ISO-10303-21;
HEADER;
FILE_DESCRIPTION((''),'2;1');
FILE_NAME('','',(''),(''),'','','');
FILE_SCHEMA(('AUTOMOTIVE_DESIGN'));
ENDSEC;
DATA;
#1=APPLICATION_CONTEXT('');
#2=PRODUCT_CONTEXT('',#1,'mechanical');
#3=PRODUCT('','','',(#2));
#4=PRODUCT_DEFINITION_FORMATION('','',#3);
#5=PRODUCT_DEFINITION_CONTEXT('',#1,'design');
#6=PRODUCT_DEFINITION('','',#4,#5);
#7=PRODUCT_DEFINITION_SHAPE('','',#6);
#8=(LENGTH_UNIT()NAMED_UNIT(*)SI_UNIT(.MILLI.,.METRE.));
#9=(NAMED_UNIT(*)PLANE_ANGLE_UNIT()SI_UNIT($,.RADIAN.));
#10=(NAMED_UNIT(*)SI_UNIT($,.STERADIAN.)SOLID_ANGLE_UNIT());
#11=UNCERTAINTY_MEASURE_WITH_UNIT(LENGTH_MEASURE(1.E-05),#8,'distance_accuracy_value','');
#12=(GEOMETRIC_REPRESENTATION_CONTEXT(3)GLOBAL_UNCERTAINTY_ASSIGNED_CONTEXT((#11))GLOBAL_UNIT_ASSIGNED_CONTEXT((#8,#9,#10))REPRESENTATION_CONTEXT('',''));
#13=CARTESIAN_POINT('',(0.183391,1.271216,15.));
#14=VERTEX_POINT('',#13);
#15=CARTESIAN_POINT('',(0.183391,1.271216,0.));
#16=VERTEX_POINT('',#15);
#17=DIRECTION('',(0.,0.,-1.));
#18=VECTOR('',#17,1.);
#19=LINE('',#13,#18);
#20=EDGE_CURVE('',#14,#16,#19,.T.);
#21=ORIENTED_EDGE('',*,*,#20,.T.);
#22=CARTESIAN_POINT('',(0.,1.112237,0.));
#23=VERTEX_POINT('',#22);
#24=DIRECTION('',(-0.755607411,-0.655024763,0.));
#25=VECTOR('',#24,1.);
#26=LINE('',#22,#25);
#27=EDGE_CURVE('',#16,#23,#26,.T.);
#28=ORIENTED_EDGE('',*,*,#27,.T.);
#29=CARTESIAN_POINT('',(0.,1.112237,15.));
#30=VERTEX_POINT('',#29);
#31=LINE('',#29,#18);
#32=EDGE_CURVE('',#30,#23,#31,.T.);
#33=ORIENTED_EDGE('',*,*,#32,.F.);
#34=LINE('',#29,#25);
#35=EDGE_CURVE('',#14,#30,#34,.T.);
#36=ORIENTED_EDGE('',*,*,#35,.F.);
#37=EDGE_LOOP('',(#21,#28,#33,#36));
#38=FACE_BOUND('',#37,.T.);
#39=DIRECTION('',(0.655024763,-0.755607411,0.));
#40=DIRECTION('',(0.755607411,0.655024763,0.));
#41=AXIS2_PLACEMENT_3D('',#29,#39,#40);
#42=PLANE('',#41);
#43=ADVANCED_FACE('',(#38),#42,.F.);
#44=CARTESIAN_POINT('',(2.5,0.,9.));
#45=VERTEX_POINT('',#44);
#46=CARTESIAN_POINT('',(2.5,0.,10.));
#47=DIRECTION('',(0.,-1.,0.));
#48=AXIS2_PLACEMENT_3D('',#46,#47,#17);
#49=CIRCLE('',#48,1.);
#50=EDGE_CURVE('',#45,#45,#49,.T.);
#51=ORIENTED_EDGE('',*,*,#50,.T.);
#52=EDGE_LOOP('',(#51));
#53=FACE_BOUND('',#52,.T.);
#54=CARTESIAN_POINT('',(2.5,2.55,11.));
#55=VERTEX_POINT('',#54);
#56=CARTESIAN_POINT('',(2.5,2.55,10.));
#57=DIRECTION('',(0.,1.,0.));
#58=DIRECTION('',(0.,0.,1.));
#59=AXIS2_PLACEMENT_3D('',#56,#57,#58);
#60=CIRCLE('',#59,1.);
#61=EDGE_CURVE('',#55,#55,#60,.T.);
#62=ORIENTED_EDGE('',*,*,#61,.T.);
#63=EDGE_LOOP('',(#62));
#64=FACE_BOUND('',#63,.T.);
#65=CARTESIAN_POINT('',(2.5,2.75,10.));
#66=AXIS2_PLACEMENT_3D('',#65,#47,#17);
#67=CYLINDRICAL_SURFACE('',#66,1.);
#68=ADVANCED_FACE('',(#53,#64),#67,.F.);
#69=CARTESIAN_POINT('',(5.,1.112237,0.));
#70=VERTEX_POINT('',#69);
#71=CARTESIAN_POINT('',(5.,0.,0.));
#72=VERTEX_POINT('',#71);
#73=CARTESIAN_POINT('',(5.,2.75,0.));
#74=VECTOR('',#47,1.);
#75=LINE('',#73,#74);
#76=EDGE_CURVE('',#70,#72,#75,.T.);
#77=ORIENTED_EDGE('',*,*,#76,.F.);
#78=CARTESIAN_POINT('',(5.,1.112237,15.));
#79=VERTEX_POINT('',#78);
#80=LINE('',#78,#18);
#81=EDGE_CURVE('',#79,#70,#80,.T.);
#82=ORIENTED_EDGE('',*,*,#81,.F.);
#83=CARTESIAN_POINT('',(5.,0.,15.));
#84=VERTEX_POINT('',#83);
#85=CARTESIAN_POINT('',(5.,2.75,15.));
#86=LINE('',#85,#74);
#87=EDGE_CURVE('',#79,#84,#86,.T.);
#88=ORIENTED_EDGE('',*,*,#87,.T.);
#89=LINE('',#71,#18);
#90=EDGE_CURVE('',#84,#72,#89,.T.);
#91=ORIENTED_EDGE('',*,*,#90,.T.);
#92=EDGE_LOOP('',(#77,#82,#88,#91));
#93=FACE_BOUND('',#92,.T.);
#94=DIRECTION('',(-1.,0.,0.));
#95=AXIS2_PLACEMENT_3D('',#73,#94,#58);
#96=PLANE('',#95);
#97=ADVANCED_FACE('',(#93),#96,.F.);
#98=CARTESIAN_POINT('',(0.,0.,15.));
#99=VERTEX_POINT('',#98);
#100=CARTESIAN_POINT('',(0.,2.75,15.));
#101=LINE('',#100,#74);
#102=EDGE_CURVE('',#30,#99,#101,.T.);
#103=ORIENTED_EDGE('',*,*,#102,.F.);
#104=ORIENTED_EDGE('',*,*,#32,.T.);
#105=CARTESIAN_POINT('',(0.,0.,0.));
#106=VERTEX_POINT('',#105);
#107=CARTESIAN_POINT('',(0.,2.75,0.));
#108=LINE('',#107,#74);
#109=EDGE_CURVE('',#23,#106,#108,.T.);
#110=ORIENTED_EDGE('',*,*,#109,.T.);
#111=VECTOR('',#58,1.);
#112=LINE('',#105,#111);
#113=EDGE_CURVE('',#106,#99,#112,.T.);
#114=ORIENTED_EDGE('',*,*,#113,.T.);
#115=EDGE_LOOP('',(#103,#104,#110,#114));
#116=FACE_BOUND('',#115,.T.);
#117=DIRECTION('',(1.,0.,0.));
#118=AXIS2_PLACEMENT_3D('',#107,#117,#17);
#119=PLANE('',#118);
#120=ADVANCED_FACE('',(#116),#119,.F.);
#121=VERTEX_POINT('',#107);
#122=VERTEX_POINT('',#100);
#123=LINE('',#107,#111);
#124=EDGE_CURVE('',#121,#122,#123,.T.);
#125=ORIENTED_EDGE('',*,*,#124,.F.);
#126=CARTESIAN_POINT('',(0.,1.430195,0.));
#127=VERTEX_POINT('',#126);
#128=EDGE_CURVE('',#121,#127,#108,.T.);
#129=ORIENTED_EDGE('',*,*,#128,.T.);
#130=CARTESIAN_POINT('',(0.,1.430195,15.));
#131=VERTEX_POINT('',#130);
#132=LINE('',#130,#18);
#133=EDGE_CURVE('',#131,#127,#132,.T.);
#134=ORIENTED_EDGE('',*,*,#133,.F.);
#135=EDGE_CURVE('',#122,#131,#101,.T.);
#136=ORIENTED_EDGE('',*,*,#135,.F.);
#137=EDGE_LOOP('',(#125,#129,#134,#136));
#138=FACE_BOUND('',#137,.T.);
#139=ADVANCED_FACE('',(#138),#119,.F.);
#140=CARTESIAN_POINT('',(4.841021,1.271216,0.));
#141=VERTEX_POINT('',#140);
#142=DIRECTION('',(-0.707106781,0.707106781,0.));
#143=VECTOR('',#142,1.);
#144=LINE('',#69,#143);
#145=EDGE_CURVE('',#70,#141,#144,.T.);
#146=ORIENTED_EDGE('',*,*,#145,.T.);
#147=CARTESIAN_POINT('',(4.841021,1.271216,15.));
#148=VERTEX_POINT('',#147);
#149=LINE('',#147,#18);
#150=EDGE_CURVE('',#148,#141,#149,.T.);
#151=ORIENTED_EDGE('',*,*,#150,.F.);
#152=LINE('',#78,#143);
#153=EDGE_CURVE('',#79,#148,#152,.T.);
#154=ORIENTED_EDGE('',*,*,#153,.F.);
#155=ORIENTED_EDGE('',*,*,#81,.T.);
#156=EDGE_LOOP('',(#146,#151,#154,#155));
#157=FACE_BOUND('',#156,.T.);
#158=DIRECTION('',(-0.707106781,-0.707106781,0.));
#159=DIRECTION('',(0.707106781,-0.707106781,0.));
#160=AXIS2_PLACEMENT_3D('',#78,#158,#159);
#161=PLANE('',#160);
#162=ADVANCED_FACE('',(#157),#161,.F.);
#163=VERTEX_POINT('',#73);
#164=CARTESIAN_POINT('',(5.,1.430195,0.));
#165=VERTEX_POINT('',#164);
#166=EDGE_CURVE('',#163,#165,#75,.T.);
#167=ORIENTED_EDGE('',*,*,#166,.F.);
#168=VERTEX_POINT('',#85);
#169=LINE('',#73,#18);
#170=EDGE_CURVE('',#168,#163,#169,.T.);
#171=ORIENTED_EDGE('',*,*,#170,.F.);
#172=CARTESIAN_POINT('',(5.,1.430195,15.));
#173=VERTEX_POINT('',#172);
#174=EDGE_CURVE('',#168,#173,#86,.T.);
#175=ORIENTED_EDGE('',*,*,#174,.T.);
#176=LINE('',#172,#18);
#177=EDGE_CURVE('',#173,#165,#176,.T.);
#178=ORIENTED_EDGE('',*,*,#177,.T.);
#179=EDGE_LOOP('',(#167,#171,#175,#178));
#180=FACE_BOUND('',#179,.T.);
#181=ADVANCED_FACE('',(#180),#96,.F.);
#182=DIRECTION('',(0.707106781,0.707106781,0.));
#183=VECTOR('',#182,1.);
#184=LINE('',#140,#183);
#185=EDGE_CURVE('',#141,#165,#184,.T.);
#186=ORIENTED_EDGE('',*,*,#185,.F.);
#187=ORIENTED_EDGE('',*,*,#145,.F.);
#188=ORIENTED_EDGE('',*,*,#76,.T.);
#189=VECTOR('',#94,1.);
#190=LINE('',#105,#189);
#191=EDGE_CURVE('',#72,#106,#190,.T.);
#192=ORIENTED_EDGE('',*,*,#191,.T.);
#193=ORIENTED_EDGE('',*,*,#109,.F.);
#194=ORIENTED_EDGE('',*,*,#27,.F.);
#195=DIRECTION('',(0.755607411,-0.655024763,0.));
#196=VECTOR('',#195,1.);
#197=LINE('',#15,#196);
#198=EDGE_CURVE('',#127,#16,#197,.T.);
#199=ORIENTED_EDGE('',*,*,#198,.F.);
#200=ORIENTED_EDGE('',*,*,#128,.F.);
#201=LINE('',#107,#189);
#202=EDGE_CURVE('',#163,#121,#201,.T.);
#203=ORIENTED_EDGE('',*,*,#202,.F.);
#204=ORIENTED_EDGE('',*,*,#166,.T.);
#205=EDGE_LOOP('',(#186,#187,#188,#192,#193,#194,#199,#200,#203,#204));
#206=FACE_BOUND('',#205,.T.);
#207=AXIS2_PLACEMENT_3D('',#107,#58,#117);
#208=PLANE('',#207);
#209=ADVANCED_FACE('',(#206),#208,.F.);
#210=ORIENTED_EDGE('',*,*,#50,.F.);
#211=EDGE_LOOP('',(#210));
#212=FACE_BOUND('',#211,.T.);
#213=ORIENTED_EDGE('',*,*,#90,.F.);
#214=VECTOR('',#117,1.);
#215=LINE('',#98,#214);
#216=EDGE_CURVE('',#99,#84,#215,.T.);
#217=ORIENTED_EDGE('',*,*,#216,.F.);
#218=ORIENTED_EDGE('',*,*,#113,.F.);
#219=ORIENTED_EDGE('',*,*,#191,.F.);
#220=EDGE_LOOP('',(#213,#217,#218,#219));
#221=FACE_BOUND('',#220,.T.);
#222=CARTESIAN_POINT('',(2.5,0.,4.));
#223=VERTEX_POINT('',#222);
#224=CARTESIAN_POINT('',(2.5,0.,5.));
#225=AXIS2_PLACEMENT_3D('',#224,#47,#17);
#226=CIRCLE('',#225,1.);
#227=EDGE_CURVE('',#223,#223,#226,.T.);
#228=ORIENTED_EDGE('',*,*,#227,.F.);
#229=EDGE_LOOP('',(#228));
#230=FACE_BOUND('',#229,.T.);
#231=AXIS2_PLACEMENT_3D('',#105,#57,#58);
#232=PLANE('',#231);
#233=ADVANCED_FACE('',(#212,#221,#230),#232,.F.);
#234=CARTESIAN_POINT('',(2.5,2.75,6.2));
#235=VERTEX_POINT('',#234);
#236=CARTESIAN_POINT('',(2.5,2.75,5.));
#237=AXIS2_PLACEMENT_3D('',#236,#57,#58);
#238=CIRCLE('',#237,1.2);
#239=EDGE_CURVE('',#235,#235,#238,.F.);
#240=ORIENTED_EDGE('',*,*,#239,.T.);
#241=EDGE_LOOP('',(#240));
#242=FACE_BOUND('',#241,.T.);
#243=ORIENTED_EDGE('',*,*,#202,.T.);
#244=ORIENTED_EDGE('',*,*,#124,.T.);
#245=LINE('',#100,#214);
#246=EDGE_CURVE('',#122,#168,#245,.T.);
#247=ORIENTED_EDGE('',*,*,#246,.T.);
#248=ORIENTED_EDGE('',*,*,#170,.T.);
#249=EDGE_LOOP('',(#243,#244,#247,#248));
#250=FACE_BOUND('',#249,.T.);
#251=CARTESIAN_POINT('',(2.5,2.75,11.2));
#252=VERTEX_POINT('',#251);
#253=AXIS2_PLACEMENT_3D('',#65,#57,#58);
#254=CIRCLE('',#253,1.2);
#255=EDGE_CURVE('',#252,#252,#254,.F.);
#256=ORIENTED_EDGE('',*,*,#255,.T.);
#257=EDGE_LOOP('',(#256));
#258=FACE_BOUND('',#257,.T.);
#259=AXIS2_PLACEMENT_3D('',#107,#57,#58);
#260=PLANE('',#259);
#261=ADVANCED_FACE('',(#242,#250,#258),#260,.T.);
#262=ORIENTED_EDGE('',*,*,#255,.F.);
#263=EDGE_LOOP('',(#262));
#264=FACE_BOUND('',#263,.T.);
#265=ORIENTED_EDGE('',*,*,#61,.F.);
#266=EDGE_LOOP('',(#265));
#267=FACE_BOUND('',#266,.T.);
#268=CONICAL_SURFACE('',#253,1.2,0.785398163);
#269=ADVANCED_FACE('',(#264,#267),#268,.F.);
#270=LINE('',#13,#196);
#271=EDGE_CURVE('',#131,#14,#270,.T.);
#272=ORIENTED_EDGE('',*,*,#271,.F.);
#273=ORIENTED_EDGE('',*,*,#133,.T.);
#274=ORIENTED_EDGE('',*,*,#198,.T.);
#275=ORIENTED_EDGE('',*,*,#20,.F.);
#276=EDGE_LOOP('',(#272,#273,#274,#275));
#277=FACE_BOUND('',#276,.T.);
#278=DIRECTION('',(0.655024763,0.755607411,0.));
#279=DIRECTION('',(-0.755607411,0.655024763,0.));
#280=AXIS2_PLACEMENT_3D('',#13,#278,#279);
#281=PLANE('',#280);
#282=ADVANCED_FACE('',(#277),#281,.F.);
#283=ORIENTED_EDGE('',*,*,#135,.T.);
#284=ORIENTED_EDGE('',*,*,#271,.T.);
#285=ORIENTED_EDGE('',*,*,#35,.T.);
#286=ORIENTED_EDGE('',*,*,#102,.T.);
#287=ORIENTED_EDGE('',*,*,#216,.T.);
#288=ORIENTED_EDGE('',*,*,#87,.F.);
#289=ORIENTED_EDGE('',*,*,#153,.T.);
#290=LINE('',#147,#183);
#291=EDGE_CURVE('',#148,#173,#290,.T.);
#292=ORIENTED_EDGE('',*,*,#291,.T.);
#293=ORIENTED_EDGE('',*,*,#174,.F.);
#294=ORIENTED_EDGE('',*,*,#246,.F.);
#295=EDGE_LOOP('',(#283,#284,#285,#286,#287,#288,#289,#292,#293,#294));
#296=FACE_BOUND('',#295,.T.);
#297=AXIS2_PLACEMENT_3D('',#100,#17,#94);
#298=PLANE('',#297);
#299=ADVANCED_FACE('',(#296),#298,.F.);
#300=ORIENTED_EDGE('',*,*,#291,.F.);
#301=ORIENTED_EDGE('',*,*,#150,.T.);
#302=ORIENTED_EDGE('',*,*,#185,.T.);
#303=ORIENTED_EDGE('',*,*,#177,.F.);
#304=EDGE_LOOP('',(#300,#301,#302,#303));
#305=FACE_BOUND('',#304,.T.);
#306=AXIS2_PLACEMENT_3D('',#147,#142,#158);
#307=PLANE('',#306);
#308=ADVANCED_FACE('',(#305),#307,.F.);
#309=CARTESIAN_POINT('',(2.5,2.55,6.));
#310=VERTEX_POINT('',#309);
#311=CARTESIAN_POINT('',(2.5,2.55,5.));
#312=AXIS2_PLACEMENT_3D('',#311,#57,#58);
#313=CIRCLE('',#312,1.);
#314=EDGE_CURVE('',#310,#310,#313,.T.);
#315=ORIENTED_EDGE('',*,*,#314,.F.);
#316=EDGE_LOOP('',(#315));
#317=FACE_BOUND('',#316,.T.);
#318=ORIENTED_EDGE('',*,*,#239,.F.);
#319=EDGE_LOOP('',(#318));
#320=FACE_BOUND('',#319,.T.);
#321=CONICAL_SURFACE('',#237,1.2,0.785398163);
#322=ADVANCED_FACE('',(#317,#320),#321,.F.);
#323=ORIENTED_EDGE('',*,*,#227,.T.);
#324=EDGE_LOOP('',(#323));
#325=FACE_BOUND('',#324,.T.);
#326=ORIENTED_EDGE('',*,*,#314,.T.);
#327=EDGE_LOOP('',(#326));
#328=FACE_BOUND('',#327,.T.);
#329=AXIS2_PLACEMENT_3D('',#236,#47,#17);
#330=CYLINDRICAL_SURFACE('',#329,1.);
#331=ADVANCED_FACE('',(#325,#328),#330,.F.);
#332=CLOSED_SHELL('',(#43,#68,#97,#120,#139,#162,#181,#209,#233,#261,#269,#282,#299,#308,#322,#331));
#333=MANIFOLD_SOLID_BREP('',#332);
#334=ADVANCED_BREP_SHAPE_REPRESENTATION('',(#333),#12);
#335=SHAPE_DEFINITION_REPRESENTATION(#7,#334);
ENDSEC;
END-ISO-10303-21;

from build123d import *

# Parameters (mm, degrees)
SKETCH_1_W          = 5
SKETCH_1_H          = 15
EXTRUDE_1_DEPTH     = 2.75
SKETCH_2_R          = 1
CUT_EXTRUDE_1_DEPTH = 3.75
CUT_EXTRUDE_2_DEPTH = 16
CHAMFER_1_SIZE      = 0.2


with BuildPart() as part:
    # 草图1 → 凸台-拉伸1 (new body)
    with BuildSketch(Plane(origin=(0, 0, 0), x_dir=(1, 0, 0), z_dir=(0, 1, 0))):
        with Locations((2.5, -7.5)):
            Rectangle(SKETCH_1_W, SKETCH_1_H)
    extrude(amount=EXTRUDE_1_DEPTH)

    # 草图2 → 切除-拉伸1 (cut, through all)
    with BuildSketch(Plane(origin=(0, 0, 0), x_dir=(-1, 0, 0), z_dir=(0, -1, 0))):
        with Locations((-2.5, -10)):
            Circle(SKETCH_2_R)
        with Locations((-2.5, -5)):
            Circle(SKETCH_2_R)
    extrude(amount=-CUT_EXTRUDE_1_DEPTH, mode=Mode.SUBTRACT)

    # 草图3 → 切除-拉伸2 (cut, through all)
    with BuildSketch(Plane(origin=(0, 0, 0), x_dir=(-1, 0, 0), z_dir=(0, 0, -1))):
        Polygon((0, 1.112237097), (-0.183390928, 1.271215949), (0, 1.430194801), align=None)
        Polygon((-5, 1.112237097), (-4.841021148, 1.271215949), (-5, 1.430194801), align=None)
    extrude(amount=-CUT_EXTRUDE_2_DEPTH, mode=Mode.SUBTRACT)

    # 倒角1
    chamfer_1_edges = [part.edges().sort_by_distance(p)[0] for p in [
        (3.5, 2.75, 10),
        (3.5, 2.75, 5),
    ]]
    chamfer(chamfer_1_edges, length=CHAMFER_1_SIZE)


solid = part.part
